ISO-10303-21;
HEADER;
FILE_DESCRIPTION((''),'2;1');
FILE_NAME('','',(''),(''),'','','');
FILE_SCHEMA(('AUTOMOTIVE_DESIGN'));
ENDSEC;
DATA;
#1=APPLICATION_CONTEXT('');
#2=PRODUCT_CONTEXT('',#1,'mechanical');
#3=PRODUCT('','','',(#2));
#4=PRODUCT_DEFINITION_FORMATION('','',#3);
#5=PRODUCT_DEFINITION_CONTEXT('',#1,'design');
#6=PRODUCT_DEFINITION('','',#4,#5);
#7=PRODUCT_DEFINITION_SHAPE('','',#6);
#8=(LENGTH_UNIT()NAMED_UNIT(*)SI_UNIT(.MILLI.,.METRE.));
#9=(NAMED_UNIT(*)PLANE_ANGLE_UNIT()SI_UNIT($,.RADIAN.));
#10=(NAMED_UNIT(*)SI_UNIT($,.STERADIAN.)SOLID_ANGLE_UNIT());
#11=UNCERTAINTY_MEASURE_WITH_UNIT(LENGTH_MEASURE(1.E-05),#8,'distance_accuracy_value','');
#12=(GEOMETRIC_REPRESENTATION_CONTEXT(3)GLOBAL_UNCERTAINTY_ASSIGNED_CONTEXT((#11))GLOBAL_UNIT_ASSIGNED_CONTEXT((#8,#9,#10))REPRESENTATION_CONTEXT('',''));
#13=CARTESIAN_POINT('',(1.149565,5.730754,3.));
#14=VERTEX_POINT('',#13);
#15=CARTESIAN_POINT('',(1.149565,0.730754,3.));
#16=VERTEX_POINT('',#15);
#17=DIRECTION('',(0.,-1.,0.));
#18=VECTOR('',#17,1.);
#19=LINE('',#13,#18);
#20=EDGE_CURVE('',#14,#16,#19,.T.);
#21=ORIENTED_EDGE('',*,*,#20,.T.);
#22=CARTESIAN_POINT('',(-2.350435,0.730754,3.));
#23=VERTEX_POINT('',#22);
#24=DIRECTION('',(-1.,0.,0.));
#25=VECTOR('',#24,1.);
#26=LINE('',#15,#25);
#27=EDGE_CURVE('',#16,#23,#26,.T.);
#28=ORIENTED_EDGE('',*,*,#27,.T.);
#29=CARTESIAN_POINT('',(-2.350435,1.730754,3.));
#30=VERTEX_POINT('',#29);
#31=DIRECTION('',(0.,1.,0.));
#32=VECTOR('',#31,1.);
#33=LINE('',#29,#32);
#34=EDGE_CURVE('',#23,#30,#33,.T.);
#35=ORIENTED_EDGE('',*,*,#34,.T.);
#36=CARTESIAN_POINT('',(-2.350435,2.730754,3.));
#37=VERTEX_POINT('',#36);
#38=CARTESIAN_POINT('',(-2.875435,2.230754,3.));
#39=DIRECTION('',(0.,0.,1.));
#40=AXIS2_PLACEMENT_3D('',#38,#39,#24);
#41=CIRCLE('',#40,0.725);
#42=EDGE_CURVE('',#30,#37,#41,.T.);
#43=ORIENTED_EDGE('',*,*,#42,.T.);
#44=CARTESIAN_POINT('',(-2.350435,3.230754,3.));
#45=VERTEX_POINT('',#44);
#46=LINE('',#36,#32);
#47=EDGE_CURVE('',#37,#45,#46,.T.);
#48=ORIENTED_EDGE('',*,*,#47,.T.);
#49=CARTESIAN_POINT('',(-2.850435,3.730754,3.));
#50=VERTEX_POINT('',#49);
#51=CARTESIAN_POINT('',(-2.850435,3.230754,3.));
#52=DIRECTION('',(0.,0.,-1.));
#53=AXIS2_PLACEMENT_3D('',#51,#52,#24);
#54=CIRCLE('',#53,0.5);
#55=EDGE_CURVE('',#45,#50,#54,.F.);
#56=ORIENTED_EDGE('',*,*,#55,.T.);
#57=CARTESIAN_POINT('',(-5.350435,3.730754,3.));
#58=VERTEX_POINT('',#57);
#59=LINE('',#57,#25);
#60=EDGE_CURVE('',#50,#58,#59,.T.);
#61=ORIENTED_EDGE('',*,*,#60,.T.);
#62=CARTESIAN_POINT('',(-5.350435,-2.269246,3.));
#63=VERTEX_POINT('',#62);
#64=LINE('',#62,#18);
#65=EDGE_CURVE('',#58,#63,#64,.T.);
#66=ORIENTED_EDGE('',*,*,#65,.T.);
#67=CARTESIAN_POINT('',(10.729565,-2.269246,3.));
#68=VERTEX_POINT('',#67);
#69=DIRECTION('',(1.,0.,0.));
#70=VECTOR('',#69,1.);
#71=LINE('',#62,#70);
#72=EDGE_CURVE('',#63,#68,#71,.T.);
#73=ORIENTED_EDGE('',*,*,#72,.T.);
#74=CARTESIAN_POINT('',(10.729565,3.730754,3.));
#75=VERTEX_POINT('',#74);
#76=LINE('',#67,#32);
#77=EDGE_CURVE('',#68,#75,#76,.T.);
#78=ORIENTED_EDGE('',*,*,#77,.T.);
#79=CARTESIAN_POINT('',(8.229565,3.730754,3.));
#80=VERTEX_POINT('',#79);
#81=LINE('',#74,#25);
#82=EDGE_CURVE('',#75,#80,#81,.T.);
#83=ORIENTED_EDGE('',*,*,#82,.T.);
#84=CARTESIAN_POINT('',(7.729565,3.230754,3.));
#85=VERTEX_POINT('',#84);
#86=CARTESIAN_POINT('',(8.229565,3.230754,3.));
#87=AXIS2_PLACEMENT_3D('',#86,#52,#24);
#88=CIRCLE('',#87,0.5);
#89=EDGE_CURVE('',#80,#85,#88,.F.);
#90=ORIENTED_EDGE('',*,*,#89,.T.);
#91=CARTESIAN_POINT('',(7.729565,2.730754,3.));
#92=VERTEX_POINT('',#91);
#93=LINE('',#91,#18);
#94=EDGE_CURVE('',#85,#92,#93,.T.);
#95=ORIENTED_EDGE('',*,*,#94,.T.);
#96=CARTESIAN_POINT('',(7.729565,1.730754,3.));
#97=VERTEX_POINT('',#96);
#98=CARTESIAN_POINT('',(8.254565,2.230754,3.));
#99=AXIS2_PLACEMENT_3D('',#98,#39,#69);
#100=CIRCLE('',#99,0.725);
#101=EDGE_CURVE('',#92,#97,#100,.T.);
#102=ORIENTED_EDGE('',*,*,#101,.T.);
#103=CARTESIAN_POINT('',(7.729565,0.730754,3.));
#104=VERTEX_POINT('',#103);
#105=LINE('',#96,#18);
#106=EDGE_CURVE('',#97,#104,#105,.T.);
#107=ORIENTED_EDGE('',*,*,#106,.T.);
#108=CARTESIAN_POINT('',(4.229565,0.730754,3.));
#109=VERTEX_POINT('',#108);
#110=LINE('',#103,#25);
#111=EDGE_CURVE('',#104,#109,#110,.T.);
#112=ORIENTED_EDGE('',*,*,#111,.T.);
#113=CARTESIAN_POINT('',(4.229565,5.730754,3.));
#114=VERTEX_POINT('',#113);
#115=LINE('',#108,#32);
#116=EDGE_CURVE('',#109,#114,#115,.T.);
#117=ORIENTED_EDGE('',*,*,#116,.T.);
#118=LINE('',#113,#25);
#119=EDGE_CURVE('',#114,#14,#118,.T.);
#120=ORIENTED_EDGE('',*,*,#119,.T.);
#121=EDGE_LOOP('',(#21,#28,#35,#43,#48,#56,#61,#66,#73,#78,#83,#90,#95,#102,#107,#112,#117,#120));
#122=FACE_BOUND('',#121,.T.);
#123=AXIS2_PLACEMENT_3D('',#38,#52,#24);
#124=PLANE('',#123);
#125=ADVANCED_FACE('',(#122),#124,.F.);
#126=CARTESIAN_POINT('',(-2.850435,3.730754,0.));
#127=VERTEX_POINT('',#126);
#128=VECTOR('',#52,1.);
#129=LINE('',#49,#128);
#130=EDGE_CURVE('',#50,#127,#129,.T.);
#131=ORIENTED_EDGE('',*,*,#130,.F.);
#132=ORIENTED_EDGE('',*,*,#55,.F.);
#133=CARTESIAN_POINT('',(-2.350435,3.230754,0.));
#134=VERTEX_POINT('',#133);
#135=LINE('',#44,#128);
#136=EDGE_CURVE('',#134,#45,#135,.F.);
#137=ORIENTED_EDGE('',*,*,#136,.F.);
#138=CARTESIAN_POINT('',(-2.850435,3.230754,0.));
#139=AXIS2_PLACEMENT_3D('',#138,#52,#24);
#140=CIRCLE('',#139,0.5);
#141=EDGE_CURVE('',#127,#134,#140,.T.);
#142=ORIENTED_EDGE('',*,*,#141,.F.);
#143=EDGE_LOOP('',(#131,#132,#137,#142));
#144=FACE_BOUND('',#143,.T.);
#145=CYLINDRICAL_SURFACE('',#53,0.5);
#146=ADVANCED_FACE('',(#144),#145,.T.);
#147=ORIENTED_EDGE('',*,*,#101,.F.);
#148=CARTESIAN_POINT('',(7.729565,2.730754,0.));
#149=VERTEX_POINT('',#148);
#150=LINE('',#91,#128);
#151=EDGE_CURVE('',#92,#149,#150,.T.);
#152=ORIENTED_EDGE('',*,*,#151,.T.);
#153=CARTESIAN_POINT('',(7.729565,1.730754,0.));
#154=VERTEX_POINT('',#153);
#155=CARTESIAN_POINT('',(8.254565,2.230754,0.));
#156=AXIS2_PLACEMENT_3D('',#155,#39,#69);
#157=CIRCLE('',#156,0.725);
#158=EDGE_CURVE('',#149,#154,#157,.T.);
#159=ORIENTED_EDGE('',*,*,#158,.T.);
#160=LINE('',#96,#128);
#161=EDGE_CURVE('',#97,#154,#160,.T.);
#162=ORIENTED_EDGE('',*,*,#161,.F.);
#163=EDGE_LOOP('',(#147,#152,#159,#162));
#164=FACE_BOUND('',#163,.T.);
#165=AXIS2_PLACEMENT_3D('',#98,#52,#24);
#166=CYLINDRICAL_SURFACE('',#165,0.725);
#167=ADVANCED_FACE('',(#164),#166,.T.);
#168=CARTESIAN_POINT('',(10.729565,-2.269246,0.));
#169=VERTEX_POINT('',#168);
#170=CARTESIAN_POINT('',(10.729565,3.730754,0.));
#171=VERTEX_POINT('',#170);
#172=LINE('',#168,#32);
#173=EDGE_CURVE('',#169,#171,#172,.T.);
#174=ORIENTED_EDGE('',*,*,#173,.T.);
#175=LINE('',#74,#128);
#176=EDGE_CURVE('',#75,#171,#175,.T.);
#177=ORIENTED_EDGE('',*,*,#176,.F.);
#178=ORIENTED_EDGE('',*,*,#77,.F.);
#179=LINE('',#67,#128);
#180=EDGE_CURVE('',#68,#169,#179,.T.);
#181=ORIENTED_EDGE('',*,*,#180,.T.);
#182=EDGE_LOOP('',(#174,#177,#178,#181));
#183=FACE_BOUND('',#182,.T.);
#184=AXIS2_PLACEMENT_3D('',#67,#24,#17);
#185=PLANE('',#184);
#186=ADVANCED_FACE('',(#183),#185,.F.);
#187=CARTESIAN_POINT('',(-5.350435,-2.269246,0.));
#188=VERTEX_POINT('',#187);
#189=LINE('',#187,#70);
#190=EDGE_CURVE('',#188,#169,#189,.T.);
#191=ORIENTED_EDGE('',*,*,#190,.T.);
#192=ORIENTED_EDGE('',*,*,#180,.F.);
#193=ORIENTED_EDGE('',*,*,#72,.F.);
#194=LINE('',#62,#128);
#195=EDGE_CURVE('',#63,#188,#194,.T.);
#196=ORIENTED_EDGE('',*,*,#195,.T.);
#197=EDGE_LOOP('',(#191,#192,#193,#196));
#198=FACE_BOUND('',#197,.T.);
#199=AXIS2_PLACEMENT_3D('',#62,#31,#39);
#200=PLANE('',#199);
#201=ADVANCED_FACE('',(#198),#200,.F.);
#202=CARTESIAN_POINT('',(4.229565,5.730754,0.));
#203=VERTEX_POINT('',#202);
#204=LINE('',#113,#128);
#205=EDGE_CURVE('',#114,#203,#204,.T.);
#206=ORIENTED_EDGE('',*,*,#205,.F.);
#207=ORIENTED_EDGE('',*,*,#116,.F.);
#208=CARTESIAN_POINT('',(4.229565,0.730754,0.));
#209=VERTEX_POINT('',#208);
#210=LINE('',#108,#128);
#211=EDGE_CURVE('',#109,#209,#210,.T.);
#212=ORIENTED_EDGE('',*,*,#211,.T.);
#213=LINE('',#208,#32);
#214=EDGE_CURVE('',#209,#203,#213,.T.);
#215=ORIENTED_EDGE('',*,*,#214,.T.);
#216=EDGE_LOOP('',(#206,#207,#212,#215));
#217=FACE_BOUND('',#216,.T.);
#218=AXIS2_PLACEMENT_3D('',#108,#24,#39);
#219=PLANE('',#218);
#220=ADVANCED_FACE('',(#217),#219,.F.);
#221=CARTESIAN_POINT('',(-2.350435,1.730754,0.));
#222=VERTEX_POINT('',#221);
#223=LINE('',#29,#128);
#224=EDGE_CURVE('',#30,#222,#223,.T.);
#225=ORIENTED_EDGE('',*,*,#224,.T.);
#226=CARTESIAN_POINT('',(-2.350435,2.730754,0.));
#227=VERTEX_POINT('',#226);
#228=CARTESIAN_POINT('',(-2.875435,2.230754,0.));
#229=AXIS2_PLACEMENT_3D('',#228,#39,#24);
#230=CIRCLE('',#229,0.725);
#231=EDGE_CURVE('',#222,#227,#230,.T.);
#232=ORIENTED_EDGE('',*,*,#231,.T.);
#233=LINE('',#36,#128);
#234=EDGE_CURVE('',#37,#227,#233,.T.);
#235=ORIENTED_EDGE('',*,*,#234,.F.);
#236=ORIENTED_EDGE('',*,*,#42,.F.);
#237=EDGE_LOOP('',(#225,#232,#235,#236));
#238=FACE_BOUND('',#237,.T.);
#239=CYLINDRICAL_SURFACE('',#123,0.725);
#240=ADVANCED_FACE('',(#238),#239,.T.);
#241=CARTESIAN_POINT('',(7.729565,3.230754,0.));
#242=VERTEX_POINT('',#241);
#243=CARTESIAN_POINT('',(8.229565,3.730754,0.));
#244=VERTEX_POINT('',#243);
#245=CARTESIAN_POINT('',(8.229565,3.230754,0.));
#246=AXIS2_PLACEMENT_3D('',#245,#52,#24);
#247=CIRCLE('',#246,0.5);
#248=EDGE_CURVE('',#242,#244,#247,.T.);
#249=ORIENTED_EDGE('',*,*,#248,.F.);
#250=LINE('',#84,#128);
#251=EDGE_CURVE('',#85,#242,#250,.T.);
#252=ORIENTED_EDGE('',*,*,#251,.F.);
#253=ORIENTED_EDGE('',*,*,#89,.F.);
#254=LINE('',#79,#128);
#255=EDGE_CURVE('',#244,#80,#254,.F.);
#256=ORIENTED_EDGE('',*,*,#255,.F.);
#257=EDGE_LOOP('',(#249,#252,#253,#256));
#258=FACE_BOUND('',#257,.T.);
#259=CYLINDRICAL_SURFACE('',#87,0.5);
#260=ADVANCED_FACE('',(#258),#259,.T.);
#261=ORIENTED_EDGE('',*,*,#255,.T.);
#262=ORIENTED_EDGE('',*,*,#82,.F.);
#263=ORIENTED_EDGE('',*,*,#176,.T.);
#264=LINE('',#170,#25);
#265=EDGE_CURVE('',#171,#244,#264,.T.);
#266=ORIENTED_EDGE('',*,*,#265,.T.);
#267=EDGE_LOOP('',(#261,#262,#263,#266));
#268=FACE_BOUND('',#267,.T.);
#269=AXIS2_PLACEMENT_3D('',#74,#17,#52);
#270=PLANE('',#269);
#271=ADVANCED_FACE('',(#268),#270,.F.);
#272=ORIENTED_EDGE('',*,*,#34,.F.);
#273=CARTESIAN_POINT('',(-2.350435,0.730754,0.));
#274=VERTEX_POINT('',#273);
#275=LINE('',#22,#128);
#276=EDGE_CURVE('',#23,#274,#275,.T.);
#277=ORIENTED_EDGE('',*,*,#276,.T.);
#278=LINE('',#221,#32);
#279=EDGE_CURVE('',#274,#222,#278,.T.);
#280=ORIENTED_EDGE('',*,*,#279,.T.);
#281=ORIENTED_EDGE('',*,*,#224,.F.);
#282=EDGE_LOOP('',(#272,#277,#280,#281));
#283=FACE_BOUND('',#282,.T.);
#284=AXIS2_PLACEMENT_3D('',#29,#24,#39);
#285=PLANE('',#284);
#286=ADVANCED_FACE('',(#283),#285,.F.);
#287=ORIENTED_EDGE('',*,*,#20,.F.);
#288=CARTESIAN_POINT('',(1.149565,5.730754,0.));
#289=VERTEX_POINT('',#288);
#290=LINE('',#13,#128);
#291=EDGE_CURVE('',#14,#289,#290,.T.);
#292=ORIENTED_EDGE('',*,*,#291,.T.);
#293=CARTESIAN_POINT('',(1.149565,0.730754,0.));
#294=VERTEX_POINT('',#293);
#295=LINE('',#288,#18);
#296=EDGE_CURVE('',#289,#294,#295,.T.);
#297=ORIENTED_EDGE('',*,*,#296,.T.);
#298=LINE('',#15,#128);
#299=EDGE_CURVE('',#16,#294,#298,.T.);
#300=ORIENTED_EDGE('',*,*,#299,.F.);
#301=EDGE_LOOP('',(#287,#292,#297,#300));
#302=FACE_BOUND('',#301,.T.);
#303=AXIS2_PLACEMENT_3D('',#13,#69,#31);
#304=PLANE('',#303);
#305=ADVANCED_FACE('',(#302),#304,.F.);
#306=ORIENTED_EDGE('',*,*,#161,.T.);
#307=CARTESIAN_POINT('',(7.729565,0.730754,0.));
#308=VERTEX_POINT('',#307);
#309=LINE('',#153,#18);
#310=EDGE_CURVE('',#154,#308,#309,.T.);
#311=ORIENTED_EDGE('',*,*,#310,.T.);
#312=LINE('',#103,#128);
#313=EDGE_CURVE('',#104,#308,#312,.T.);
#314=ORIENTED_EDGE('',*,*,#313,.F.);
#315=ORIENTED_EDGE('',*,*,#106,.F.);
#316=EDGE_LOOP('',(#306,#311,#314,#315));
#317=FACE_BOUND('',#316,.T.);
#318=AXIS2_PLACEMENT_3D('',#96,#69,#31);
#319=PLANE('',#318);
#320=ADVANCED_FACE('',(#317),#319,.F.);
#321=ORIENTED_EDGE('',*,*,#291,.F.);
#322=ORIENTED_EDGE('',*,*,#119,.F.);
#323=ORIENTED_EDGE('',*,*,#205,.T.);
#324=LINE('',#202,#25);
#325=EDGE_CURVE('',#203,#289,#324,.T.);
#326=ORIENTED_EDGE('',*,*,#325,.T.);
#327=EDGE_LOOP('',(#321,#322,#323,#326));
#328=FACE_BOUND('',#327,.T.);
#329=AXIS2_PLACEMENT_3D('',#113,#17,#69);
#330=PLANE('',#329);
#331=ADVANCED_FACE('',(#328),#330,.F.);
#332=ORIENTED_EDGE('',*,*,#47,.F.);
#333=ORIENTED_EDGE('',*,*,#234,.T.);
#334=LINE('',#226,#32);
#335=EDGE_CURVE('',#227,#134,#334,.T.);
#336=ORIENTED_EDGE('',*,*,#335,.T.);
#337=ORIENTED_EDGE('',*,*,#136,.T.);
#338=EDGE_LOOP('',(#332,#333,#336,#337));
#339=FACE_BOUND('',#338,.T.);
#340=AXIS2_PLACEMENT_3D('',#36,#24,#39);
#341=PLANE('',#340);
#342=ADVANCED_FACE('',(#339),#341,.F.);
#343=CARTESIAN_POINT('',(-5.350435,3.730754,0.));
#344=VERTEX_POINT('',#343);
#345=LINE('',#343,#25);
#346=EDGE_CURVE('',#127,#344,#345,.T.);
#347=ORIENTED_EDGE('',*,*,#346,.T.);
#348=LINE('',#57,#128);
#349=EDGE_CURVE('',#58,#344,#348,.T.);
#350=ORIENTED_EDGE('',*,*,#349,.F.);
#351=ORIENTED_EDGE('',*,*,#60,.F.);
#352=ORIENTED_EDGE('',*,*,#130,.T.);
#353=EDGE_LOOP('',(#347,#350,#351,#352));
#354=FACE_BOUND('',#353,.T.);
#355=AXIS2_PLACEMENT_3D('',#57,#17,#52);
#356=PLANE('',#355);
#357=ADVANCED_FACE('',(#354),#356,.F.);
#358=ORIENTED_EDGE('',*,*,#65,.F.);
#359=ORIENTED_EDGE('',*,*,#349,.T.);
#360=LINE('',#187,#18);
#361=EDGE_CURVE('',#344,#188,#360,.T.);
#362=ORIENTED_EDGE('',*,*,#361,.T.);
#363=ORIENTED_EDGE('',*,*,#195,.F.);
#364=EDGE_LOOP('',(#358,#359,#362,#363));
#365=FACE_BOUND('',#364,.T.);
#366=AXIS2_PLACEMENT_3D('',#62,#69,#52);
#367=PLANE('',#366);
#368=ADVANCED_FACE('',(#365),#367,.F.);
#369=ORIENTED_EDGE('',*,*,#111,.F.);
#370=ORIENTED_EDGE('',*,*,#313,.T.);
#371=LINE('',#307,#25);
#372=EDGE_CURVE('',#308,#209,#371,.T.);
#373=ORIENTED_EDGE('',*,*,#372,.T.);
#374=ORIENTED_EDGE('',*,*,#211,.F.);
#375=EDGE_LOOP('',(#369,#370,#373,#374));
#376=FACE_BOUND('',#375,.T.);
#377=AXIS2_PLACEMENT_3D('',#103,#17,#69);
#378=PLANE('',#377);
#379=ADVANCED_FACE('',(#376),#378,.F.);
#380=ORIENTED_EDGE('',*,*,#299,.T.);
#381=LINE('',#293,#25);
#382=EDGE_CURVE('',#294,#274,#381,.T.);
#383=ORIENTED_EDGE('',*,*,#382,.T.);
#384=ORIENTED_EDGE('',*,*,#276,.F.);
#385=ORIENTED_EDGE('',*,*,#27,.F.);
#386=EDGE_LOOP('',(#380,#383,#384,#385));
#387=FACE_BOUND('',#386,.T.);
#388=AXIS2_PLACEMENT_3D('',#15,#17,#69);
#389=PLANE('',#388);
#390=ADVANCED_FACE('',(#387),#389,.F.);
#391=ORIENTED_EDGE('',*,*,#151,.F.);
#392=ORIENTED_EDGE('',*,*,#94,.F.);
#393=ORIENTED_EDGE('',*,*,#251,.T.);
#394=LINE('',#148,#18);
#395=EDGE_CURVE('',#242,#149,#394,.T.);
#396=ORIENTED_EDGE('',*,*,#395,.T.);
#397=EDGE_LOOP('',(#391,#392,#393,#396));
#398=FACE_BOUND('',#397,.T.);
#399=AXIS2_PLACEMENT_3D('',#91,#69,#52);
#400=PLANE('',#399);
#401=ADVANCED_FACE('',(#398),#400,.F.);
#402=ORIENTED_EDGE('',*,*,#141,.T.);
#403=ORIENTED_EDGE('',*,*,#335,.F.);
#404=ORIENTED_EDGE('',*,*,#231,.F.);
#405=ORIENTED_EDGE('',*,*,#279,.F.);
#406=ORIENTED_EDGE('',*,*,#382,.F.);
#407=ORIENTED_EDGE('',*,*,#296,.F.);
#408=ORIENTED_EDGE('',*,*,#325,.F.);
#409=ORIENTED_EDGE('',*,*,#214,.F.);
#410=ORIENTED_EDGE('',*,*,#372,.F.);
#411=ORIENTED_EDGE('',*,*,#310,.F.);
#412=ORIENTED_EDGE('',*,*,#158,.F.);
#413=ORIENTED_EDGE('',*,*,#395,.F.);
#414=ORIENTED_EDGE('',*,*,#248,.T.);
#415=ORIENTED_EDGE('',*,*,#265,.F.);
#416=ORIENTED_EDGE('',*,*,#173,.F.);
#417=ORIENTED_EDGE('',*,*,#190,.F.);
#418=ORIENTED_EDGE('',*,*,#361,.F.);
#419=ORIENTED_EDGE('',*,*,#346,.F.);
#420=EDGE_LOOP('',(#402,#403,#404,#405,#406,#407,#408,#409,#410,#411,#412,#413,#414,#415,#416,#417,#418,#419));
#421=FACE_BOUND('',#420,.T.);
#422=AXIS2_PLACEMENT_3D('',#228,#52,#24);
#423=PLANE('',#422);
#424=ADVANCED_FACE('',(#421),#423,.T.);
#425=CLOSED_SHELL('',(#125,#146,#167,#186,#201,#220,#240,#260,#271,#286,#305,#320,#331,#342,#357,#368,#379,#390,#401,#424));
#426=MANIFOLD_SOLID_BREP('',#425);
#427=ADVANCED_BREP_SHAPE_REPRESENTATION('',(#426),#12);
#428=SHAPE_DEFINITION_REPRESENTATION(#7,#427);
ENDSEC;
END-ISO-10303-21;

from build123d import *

# Parameters (mm, degrees)
BOSS_EXTRUDE1_DEPTH = 3
FILLET1_R           = 0.5


with BuildPart() as part:
    # Sketch1 → Boss-Extrude1 (new body)
    with BuildSketch(Plane.XY):
        with BuildLine():
            Line((-5.350435009, -2.26924573), (10.729564991, -2.26924573))
            Line((10.729564991, -2.26924573), (10.729564991, 3.73075427))
            Line((10.729564991, 3.73075427), (7.729564991, 3.73075427))
            Line((7.729564991, 3.73075427), (7.729564991, 2.73075427))
            ThreePointArc((7.729564991, 2.73075427), (7.529564991, 2.23075427), (7.729564991, 1.73075427))
            Line((7.729564991, 1.73075427), (7.729564991, 0.73075427))
            Line((7.729564991, 0.73075427), (4.229564991, 0.73075427))
            Line((4.229564991, 0.73075427), (4.229564991, 5.73075427))
            Line((4.229564991, 5.73075427), (1.149564991, 5.73075427))
            Line((1.149564991, 5.73075427), (1.149564991, 0.73075427))
            Line((1.149564991, 0.73075427), (-2.350435009, 0.73075427))
            Line((-2.350435009, 0.73075427), (-2.350435009, 1.73075427))
            ThreePointArc((-2.350435009, 1.73075427), (-2.150435009, 2.23075427), (-2.350435009, 2.73075427))
            Line((-2.350435009, 2.73075427), (-2.350435009, 3.73075427))
            Line((-2.350435009, 3.73075427), (-5.350435009, 3.73075427))
            Line((-5.350435009, 3.73075427), (-5.350435009, -2.26924573))
        make_face()
    extrude(amount=BOSS_EXTRUDE1_DEPTH)

    # Fillet1
    fillet1_edges = [part.edges().sort_by_distance(p)[0] for p in [
        (-2.350435009, 3.73075427, 1.5),
        (7.729564991, 3.73075427, 1.5),
    ]]
    fillet(fillet1_edges, radius=FILLET1_R)


solid = part.part
